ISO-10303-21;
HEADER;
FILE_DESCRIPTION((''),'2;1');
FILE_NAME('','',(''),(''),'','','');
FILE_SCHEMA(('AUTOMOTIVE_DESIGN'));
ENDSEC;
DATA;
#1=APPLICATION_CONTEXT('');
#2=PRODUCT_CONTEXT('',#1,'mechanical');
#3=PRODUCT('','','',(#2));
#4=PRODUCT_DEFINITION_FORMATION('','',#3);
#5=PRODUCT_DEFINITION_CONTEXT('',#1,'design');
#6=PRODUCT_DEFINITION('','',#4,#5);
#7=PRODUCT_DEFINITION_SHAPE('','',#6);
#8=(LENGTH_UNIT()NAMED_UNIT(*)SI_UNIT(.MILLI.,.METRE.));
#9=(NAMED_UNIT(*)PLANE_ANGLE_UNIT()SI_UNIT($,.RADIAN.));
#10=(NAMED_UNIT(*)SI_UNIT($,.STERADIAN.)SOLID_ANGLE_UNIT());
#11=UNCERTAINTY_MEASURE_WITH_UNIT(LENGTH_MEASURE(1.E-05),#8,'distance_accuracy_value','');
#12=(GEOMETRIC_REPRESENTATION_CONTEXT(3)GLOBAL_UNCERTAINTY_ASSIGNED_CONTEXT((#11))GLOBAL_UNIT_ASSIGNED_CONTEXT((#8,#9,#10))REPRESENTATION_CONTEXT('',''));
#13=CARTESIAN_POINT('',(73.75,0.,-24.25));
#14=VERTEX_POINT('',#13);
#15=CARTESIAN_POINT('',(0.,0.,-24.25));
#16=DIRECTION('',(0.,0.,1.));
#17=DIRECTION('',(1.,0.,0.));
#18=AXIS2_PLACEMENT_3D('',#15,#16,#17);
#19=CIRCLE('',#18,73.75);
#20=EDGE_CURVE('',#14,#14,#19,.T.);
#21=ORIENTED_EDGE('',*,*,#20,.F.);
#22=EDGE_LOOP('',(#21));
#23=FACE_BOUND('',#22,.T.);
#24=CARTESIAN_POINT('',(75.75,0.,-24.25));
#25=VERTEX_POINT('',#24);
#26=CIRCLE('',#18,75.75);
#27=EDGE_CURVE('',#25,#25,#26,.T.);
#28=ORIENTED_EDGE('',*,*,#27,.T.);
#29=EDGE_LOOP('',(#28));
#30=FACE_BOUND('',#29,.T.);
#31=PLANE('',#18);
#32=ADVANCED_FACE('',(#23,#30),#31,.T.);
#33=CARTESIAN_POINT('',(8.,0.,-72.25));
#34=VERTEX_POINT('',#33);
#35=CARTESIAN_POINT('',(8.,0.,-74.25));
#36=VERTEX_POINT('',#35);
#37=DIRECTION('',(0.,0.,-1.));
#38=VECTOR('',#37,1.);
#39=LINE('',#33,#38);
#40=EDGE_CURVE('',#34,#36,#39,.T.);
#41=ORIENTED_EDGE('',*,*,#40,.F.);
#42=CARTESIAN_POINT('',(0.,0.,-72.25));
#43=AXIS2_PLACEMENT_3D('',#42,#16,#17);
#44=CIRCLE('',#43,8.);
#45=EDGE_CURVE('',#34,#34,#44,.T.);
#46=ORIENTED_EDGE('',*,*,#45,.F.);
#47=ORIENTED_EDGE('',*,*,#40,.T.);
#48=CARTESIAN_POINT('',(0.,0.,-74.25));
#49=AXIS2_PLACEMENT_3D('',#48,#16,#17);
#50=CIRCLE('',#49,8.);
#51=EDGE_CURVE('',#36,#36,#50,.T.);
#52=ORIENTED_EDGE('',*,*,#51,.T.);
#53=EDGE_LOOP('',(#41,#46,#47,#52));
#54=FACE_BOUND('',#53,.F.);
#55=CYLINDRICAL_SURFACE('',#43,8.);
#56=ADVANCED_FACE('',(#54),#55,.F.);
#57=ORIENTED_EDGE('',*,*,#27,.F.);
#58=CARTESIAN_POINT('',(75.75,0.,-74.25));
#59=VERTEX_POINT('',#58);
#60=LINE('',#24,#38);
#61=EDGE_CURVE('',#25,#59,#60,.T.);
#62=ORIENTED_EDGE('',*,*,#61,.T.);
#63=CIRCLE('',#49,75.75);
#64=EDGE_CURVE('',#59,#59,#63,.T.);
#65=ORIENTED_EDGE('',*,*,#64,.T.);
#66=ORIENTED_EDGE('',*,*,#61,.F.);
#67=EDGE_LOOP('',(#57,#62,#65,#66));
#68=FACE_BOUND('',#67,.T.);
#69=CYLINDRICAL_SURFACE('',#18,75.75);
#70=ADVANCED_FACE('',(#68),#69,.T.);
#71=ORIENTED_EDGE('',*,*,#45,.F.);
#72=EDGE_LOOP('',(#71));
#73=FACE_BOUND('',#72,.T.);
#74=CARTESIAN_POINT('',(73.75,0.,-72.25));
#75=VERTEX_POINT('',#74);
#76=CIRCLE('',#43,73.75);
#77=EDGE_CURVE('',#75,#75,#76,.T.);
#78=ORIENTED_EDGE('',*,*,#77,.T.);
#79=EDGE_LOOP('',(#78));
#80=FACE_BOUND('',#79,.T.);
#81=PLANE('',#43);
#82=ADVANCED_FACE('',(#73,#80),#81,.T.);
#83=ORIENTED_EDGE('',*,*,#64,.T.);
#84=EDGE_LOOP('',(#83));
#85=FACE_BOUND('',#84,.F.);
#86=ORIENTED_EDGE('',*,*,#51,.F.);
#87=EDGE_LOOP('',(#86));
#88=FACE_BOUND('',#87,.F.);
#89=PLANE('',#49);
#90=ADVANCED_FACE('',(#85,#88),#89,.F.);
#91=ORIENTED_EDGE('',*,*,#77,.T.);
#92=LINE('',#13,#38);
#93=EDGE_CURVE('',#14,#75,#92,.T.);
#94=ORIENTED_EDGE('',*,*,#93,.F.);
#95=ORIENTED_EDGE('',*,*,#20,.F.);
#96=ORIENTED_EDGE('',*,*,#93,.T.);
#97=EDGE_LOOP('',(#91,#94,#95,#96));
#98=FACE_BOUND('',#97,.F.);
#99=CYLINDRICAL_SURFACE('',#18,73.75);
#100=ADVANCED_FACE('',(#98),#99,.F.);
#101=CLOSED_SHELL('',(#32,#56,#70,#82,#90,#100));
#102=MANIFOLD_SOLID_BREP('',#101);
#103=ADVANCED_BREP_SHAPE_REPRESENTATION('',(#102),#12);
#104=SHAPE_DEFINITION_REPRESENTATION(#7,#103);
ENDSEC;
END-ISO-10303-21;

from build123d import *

# Parameters (mm, degrees)
SKETCH113_R     = 75.75
PAD051_DEPTH    = 50
THICKNESS001_T  = -2
SKETCH114_R     = 8
POCKET112_DEPTH = 2.001


with BuildPart() as part:
    # Sketch113 → Pad051 (new body)
    with BuildSketch(Plane.XY.offset(-30)):
        Circle(SKETCH113_R)
    extrude(amount=-PAD051_DEPTH)

    # Thickness001
    thickness001_openings = [part.faces().sort_by_distance(p)[0] for p in [
        (0, 0, -30),
    ]]
    offset(amount=THICKNESS001_T, openings=thickness001_openings)

    # Sketch114 (on Face5 of Thickness001) → Pocket112 (cut, through all)
    with BuildSketch(Plane.XY.offset(-78)):
        Circle(SKETCH114_R)
    extrude(amount=-POCKET112_DEPTH, mode=Mode.SUBTRACT)


with BuildPart() as part_1:
    # Body007 placement: moved
    add(part.part.moved(Location((0, 0, 5.75))))


solid = part_1.part
